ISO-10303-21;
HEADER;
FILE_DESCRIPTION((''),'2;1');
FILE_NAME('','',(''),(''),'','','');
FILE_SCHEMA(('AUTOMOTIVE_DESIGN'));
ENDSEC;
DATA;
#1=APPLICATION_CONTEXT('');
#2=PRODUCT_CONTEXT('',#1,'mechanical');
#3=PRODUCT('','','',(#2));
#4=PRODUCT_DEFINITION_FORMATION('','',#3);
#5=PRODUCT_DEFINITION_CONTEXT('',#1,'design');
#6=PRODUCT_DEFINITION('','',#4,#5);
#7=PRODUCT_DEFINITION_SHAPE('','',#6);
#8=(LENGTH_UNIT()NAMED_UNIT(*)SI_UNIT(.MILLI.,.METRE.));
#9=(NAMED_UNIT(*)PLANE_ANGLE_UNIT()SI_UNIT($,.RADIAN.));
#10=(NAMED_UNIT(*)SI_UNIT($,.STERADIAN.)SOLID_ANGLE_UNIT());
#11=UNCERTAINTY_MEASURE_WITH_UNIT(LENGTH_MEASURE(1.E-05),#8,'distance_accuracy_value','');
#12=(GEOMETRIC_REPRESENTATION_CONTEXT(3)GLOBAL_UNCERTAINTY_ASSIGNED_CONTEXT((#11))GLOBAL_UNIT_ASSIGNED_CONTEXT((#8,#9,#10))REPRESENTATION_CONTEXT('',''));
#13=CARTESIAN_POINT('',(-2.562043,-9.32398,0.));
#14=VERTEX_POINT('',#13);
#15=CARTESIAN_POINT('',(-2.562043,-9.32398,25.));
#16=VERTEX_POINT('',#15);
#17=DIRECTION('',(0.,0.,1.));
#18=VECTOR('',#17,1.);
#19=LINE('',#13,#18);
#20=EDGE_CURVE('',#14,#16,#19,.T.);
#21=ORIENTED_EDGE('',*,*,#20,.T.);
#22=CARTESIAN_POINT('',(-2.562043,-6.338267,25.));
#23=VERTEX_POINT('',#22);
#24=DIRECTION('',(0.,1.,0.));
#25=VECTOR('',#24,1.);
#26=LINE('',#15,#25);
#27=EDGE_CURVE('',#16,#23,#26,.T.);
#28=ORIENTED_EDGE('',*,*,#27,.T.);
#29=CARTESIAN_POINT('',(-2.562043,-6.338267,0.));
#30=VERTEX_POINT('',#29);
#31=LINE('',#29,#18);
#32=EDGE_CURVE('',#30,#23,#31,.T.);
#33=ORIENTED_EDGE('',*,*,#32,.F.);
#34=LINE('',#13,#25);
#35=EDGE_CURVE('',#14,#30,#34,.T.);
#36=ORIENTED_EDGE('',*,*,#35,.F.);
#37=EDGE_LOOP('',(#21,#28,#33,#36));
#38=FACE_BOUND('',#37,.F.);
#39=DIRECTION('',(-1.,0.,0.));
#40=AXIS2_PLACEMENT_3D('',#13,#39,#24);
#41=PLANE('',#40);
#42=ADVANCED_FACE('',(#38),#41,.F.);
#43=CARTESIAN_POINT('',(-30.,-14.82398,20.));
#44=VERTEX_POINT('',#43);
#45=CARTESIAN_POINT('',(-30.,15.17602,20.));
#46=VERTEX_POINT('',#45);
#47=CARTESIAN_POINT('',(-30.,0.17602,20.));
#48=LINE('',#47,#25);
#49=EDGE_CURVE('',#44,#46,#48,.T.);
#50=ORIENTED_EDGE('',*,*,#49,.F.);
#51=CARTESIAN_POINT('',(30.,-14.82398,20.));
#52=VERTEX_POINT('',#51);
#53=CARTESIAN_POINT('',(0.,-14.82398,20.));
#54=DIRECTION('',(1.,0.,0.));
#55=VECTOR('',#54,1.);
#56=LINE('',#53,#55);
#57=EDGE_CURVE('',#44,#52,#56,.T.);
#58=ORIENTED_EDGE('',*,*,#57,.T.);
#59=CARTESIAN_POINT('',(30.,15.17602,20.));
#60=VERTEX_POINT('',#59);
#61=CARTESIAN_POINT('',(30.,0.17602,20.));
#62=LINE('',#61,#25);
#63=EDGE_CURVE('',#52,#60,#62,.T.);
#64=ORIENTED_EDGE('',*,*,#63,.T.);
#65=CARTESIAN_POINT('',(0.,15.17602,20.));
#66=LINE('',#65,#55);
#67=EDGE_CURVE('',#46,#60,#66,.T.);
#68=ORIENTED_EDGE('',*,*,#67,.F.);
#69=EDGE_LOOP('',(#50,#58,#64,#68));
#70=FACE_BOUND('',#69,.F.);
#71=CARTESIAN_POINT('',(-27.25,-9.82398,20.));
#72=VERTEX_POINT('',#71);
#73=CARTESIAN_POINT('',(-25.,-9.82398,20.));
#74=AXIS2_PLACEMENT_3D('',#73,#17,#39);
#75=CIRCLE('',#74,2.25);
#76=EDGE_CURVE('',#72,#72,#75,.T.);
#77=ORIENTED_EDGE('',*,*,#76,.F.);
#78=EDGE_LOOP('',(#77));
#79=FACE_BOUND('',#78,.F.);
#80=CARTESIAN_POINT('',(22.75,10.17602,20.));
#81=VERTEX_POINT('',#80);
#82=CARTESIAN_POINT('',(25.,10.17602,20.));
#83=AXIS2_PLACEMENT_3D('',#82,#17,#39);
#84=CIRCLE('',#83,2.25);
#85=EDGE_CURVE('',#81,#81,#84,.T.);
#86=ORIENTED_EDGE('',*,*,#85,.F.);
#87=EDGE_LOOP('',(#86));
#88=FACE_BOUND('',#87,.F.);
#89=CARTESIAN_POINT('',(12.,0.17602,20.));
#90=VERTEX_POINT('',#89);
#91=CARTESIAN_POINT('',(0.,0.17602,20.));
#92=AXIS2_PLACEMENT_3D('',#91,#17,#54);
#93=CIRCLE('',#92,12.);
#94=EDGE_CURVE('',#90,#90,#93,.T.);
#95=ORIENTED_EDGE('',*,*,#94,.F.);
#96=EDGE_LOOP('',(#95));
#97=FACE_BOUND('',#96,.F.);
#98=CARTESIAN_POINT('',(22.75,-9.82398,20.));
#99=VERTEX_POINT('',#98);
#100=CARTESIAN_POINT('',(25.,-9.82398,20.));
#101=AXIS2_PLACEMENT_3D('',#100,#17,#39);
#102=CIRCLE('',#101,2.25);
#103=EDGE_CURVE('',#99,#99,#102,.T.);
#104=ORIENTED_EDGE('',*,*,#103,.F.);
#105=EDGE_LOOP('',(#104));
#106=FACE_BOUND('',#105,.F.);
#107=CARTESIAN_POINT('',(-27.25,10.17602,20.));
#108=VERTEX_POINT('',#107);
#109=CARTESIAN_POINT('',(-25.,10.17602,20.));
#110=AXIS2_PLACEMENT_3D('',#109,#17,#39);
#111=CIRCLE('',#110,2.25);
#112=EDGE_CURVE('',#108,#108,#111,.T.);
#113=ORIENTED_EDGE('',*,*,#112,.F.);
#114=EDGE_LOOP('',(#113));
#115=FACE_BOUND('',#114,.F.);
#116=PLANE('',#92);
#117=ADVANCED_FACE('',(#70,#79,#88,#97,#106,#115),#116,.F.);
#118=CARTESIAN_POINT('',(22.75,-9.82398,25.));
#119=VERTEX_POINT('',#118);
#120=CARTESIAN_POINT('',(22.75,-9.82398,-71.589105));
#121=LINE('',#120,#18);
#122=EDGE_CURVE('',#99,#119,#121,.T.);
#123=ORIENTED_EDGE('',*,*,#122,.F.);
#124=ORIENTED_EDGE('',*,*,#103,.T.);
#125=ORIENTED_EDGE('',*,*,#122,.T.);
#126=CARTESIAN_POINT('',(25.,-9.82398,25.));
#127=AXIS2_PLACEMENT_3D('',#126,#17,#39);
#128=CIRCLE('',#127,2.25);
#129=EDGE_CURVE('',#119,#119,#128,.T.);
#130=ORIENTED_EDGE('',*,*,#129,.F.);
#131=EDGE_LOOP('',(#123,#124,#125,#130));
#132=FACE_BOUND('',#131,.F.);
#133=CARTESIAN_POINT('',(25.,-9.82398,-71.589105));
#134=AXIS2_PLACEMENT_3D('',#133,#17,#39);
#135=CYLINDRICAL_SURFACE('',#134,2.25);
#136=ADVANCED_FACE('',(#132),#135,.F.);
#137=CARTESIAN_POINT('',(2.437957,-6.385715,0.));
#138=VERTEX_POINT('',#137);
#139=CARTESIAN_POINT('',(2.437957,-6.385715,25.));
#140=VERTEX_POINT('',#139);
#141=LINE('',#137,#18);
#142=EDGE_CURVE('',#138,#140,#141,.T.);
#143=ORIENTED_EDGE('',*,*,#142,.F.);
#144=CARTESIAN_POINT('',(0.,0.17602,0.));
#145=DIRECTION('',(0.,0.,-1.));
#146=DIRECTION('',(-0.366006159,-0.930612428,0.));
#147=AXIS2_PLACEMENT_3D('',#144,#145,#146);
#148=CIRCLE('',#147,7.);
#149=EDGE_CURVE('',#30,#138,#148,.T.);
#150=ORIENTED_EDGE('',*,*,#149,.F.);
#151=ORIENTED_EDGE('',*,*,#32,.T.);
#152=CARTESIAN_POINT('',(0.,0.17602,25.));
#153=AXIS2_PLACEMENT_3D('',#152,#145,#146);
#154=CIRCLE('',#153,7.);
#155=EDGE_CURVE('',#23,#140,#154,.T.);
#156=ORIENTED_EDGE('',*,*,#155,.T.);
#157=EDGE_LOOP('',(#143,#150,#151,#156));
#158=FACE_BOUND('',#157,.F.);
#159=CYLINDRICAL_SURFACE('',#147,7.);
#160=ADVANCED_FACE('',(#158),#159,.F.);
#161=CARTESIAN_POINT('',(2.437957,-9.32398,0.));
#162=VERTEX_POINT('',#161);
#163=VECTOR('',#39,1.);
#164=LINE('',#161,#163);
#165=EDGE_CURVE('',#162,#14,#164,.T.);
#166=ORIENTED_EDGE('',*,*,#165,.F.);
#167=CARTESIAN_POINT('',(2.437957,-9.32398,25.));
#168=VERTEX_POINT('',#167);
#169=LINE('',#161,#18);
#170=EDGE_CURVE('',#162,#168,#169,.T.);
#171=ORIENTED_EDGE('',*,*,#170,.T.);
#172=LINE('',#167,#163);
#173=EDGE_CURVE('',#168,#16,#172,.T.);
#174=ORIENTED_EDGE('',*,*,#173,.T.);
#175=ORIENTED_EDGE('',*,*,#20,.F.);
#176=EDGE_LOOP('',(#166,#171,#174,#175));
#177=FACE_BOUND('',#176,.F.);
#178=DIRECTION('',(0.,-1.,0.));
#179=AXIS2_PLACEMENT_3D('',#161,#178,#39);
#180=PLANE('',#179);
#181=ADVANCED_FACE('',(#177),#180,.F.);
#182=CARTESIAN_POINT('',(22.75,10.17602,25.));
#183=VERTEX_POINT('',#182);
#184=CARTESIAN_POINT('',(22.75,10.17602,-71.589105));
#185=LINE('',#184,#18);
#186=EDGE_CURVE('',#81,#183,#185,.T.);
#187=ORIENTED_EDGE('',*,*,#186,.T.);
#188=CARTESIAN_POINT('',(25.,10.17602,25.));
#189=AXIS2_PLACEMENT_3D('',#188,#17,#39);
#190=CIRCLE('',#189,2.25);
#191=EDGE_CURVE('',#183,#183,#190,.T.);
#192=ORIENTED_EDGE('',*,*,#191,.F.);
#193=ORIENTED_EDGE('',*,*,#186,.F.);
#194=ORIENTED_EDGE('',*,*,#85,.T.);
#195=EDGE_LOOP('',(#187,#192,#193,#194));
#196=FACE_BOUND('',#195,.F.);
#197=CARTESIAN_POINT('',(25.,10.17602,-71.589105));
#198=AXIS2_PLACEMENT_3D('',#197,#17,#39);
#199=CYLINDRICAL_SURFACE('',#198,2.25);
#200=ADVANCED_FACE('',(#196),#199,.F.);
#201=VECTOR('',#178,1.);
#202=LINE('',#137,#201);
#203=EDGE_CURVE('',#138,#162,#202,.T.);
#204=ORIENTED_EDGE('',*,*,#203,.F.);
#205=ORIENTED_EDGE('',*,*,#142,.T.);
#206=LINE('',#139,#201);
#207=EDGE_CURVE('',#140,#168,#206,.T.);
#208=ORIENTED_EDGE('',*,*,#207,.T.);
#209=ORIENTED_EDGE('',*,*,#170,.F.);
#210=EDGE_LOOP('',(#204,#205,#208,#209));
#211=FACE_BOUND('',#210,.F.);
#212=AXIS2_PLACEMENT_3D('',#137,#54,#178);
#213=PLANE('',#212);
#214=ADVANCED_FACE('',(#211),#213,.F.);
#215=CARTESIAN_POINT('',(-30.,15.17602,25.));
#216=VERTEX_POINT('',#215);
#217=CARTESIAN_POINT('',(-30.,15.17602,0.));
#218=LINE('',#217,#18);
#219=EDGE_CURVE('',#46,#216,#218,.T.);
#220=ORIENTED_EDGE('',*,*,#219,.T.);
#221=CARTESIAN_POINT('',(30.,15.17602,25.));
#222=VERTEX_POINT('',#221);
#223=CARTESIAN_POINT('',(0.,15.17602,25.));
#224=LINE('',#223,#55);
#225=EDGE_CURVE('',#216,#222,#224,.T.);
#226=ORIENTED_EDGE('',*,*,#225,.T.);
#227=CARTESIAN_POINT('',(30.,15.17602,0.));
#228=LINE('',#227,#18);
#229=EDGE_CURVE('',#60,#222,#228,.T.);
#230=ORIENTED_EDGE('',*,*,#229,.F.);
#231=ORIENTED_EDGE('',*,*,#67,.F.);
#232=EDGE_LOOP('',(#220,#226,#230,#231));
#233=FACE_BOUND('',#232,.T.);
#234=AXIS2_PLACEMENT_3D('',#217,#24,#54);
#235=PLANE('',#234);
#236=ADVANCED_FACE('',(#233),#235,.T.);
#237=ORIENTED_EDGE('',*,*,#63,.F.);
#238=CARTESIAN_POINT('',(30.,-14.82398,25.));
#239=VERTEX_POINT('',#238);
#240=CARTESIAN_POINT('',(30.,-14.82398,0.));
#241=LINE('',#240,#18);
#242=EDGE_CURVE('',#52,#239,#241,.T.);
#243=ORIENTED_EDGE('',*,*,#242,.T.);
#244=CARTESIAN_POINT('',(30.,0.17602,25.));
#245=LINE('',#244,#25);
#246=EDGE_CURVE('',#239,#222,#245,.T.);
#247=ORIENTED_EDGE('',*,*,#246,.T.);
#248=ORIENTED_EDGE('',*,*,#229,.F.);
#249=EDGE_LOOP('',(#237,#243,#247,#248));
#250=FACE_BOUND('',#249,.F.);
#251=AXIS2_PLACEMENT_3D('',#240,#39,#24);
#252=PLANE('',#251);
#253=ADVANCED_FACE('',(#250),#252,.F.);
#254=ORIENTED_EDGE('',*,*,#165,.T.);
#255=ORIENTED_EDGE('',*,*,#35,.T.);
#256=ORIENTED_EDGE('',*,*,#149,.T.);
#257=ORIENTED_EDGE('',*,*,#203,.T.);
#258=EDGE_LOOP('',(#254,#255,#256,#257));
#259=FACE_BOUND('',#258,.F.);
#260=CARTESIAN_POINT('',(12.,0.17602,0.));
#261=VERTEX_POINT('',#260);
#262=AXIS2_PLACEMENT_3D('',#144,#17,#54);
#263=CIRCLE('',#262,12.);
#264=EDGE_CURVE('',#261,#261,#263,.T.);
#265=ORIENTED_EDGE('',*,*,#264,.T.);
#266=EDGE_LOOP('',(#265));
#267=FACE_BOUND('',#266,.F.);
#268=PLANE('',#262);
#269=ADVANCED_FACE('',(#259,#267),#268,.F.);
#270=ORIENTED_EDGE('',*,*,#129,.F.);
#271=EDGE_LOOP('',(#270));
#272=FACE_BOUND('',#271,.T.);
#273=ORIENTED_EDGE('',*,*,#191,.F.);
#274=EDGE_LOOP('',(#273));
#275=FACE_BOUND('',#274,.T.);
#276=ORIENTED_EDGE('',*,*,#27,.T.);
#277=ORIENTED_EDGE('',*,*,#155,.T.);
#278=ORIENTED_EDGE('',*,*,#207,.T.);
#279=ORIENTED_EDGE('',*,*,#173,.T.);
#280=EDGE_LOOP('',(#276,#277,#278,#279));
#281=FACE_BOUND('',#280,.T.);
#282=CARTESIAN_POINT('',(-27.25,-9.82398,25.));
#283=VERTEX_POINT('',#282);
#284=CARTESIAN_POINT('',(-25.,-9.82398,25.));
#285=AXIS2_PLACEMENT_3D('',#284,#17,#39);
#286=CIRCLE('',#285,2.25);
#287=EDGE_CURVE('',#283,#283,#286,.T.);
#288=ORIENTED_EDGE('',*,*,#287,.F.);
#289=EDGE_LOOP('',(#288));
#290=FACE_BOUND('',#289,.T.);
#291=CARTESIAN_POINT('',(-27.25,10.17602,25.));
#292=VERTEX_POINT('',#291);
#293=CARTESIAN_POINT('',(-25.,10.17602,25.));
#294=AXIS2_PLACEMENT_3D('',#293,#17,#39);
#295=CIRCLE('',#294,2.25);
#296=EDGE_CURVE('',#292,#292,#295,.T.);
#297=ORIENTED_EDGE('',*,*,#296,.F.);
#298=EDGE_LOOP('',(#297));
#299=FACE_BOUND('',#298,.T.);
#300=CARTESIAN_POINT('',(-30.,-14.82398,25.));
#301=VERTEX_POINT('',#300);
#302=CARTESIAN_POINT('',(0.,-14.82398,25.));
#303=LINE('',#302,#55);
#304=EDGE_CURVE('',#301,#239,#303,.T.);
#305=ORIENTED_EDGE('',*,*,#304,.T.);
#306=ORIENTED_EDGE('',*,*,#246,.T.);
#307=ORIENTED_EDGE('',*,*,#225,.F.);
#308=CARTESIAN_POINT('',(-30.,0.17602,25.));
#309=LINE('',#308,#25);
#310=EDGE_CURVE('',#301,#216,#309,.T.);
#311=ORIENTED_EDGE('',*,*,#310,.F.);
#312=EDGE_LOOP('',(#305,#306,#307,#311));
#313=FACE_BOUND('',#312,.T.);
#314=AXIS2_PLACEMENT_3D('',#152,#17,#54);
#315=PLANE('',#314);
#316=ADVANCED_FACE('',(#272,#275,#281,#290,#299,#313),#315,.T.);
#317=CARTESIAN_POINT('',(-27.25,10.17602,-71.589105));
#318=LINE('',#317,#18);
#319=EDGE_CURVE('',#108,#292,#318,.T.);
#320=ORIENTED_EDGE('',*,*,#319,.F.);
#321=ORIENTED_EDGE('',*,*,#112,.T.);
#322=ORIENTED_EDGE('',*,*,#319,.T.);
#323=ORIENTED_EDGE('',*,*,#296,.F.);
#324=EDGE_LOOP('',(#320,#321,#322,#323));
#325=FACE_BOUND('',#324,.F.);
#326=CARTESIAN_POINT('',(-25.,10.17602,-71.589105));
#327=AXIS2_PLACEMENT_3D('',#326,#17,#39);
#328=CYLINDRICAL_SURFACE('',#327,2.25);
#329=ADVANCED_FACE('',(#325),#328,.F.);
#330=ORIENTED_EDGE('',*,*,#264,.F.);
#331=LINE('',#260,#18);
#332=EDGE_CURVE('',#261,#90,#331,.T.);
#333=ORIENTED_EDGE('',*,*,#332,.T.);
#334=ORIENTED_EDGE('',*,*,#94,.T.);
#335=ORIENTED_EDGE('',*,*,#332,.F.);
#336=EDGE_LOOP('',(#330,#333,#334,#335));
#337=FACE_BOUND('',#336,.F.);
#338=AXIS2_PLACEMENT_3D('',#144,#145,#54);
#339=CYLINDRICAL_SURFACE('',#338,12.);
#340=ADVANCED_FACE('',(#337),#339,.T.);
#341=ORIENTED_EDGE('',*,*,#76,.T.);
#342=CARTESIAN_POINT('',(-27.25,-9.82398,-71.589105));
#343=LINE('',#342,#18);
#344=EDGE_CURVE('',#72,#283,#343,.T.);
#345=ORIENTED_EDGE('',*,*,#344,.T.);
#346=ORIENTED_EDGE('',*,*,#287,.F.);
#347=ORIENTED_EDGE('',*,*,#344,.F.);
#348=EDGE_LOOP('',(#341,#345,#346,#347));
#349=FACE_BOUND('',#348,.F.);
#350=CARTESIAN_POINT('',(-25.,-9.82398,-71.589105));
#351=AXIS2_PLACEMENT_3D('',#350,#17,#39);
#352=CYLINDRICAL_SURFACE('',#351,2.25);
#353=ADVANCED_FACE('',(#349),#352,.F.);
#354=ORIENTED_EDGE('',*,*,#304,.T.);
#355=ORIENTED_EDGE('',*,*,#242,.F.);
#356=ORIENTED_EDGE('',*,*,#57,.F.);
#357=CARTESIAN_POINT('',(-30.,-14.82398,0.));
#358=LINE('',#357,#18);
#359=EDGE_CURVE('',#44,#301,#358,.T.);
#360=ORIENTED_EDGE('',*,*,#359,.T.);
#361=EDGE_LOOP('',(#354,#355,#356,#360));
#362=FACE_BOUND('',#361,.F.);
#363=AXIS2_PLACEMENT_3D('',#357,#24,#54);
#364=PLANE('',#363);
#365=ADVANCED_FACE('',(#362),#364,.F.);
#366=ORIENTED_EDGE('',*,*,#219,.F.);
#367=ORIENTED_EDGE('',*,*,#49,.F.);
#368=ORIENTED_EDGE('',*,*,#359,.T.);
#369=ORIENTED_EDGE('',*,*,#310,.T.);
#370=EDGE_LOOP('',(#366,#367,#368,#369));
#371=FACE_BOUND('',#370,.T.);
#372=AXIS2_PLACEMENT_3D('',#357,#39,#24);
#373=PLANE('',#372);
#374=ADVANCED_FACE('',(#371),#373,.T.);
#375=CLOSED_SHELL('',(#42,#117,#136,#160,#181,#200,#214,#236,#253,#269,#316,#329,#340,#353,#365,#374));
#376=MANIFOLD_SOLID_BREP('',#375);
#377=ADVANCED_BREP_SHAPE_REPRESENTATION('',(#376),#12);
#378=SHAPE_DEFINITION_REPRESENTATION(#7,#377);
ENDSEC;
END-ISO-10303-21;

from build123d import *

# Parameters (mm, degrees)
F0_W     = 60
F0_H     = 30
F0_R     = 2
F0_R_2   = 12
F1_DEPTH = 25
F2_D     = 4.5
F3_DEPTH = 20


with BuildPart() as f1:
    # F0 (on Top) → F1 (new body)
    with BuildSketch(Plane.XY):
        with Locations((0, 0.1760203019)):
            Rectangle(F0_W, F0_H)
        with Locations((-25, -9.8239796981)):
            Circle(F0_R, mode=Mode.SUBTRACT)
        with Locations((25, -9.8239796981)):
            Circle(F0_R, mode=Mode.SUBTRACT)
        with Locations((0, 0.1760203019)):
            Circle(F0_R_2, mode=Mode.SUBTRACT)
        with Locations((-25, 10.1760203019)):
            Circle(F0_R, mode=Mode.SUBTRACT)
        with Locations((25, 10.1760203019)):
            Circle(F0_R, mode=Mode.SUBTRACT)
        with Locations((0, 0.1760203019)):
            Circle(F0_R_2)
        with BuildLine():
            ThreePointArc((-2.5620431112, -6.3382666964), (0.0664242114, 7.1757051394), (2.4379568888, -6.385714698))
            Line((2.4379568888, -6.385714698), (2.4379568888, -9.3239796981))
            Line((2.4379568888, -9.3239796981), (-2.5620431112, -9.3239796981))
            Line((-2.5620431112, -9.3239796981), (-2.5620431112, -6.3382666964))
        make_face(mode=Mode.SUBTRACT)
    extrude(amount=F1_DEPTH)

    # F2 (through all)
    with Locations(Plane(origin=(0, 0, 0), x_dir=(1, 0, 0), z_dir=(0, 0, -1))):
        with Locations((-25, 9.8239796981), (-25, -10.1760203019), (25, -10.1760203019), (25, 9.8239796981)):
            Hole(F2_D / 2)

    # F0 (on Top) → F3 (cut)
    with BuildSketch(Plane.XY):
        with Locations((0, 0.1760203019)):
            Rectangle(F0_W, F0_H)
        with Locations((-25, -9.8239796981)):
            Circle(F0_R, mode=Mode.SUBTRACT)
        with Locations((25, -9.8239796981)):
            Circle(F0_R, mode=Mode.SUBTRACT)
        with Locations((0, 0.1760203019)):
            Circle(F0_R_2, mode=Mode.SUBTRACT)
        with Locations((-25, 10.1760203019)):
            Circle(F0_R, mode=Mode.SUBTRACT)
        with Locations((25, 10.1760203019)):
            Circle(F0_R, mode=Mode.SUBTRACT)
    extrude(amount=F3_DEPTH, mode=Mode.SUBTRACT)


solid = f1.part
